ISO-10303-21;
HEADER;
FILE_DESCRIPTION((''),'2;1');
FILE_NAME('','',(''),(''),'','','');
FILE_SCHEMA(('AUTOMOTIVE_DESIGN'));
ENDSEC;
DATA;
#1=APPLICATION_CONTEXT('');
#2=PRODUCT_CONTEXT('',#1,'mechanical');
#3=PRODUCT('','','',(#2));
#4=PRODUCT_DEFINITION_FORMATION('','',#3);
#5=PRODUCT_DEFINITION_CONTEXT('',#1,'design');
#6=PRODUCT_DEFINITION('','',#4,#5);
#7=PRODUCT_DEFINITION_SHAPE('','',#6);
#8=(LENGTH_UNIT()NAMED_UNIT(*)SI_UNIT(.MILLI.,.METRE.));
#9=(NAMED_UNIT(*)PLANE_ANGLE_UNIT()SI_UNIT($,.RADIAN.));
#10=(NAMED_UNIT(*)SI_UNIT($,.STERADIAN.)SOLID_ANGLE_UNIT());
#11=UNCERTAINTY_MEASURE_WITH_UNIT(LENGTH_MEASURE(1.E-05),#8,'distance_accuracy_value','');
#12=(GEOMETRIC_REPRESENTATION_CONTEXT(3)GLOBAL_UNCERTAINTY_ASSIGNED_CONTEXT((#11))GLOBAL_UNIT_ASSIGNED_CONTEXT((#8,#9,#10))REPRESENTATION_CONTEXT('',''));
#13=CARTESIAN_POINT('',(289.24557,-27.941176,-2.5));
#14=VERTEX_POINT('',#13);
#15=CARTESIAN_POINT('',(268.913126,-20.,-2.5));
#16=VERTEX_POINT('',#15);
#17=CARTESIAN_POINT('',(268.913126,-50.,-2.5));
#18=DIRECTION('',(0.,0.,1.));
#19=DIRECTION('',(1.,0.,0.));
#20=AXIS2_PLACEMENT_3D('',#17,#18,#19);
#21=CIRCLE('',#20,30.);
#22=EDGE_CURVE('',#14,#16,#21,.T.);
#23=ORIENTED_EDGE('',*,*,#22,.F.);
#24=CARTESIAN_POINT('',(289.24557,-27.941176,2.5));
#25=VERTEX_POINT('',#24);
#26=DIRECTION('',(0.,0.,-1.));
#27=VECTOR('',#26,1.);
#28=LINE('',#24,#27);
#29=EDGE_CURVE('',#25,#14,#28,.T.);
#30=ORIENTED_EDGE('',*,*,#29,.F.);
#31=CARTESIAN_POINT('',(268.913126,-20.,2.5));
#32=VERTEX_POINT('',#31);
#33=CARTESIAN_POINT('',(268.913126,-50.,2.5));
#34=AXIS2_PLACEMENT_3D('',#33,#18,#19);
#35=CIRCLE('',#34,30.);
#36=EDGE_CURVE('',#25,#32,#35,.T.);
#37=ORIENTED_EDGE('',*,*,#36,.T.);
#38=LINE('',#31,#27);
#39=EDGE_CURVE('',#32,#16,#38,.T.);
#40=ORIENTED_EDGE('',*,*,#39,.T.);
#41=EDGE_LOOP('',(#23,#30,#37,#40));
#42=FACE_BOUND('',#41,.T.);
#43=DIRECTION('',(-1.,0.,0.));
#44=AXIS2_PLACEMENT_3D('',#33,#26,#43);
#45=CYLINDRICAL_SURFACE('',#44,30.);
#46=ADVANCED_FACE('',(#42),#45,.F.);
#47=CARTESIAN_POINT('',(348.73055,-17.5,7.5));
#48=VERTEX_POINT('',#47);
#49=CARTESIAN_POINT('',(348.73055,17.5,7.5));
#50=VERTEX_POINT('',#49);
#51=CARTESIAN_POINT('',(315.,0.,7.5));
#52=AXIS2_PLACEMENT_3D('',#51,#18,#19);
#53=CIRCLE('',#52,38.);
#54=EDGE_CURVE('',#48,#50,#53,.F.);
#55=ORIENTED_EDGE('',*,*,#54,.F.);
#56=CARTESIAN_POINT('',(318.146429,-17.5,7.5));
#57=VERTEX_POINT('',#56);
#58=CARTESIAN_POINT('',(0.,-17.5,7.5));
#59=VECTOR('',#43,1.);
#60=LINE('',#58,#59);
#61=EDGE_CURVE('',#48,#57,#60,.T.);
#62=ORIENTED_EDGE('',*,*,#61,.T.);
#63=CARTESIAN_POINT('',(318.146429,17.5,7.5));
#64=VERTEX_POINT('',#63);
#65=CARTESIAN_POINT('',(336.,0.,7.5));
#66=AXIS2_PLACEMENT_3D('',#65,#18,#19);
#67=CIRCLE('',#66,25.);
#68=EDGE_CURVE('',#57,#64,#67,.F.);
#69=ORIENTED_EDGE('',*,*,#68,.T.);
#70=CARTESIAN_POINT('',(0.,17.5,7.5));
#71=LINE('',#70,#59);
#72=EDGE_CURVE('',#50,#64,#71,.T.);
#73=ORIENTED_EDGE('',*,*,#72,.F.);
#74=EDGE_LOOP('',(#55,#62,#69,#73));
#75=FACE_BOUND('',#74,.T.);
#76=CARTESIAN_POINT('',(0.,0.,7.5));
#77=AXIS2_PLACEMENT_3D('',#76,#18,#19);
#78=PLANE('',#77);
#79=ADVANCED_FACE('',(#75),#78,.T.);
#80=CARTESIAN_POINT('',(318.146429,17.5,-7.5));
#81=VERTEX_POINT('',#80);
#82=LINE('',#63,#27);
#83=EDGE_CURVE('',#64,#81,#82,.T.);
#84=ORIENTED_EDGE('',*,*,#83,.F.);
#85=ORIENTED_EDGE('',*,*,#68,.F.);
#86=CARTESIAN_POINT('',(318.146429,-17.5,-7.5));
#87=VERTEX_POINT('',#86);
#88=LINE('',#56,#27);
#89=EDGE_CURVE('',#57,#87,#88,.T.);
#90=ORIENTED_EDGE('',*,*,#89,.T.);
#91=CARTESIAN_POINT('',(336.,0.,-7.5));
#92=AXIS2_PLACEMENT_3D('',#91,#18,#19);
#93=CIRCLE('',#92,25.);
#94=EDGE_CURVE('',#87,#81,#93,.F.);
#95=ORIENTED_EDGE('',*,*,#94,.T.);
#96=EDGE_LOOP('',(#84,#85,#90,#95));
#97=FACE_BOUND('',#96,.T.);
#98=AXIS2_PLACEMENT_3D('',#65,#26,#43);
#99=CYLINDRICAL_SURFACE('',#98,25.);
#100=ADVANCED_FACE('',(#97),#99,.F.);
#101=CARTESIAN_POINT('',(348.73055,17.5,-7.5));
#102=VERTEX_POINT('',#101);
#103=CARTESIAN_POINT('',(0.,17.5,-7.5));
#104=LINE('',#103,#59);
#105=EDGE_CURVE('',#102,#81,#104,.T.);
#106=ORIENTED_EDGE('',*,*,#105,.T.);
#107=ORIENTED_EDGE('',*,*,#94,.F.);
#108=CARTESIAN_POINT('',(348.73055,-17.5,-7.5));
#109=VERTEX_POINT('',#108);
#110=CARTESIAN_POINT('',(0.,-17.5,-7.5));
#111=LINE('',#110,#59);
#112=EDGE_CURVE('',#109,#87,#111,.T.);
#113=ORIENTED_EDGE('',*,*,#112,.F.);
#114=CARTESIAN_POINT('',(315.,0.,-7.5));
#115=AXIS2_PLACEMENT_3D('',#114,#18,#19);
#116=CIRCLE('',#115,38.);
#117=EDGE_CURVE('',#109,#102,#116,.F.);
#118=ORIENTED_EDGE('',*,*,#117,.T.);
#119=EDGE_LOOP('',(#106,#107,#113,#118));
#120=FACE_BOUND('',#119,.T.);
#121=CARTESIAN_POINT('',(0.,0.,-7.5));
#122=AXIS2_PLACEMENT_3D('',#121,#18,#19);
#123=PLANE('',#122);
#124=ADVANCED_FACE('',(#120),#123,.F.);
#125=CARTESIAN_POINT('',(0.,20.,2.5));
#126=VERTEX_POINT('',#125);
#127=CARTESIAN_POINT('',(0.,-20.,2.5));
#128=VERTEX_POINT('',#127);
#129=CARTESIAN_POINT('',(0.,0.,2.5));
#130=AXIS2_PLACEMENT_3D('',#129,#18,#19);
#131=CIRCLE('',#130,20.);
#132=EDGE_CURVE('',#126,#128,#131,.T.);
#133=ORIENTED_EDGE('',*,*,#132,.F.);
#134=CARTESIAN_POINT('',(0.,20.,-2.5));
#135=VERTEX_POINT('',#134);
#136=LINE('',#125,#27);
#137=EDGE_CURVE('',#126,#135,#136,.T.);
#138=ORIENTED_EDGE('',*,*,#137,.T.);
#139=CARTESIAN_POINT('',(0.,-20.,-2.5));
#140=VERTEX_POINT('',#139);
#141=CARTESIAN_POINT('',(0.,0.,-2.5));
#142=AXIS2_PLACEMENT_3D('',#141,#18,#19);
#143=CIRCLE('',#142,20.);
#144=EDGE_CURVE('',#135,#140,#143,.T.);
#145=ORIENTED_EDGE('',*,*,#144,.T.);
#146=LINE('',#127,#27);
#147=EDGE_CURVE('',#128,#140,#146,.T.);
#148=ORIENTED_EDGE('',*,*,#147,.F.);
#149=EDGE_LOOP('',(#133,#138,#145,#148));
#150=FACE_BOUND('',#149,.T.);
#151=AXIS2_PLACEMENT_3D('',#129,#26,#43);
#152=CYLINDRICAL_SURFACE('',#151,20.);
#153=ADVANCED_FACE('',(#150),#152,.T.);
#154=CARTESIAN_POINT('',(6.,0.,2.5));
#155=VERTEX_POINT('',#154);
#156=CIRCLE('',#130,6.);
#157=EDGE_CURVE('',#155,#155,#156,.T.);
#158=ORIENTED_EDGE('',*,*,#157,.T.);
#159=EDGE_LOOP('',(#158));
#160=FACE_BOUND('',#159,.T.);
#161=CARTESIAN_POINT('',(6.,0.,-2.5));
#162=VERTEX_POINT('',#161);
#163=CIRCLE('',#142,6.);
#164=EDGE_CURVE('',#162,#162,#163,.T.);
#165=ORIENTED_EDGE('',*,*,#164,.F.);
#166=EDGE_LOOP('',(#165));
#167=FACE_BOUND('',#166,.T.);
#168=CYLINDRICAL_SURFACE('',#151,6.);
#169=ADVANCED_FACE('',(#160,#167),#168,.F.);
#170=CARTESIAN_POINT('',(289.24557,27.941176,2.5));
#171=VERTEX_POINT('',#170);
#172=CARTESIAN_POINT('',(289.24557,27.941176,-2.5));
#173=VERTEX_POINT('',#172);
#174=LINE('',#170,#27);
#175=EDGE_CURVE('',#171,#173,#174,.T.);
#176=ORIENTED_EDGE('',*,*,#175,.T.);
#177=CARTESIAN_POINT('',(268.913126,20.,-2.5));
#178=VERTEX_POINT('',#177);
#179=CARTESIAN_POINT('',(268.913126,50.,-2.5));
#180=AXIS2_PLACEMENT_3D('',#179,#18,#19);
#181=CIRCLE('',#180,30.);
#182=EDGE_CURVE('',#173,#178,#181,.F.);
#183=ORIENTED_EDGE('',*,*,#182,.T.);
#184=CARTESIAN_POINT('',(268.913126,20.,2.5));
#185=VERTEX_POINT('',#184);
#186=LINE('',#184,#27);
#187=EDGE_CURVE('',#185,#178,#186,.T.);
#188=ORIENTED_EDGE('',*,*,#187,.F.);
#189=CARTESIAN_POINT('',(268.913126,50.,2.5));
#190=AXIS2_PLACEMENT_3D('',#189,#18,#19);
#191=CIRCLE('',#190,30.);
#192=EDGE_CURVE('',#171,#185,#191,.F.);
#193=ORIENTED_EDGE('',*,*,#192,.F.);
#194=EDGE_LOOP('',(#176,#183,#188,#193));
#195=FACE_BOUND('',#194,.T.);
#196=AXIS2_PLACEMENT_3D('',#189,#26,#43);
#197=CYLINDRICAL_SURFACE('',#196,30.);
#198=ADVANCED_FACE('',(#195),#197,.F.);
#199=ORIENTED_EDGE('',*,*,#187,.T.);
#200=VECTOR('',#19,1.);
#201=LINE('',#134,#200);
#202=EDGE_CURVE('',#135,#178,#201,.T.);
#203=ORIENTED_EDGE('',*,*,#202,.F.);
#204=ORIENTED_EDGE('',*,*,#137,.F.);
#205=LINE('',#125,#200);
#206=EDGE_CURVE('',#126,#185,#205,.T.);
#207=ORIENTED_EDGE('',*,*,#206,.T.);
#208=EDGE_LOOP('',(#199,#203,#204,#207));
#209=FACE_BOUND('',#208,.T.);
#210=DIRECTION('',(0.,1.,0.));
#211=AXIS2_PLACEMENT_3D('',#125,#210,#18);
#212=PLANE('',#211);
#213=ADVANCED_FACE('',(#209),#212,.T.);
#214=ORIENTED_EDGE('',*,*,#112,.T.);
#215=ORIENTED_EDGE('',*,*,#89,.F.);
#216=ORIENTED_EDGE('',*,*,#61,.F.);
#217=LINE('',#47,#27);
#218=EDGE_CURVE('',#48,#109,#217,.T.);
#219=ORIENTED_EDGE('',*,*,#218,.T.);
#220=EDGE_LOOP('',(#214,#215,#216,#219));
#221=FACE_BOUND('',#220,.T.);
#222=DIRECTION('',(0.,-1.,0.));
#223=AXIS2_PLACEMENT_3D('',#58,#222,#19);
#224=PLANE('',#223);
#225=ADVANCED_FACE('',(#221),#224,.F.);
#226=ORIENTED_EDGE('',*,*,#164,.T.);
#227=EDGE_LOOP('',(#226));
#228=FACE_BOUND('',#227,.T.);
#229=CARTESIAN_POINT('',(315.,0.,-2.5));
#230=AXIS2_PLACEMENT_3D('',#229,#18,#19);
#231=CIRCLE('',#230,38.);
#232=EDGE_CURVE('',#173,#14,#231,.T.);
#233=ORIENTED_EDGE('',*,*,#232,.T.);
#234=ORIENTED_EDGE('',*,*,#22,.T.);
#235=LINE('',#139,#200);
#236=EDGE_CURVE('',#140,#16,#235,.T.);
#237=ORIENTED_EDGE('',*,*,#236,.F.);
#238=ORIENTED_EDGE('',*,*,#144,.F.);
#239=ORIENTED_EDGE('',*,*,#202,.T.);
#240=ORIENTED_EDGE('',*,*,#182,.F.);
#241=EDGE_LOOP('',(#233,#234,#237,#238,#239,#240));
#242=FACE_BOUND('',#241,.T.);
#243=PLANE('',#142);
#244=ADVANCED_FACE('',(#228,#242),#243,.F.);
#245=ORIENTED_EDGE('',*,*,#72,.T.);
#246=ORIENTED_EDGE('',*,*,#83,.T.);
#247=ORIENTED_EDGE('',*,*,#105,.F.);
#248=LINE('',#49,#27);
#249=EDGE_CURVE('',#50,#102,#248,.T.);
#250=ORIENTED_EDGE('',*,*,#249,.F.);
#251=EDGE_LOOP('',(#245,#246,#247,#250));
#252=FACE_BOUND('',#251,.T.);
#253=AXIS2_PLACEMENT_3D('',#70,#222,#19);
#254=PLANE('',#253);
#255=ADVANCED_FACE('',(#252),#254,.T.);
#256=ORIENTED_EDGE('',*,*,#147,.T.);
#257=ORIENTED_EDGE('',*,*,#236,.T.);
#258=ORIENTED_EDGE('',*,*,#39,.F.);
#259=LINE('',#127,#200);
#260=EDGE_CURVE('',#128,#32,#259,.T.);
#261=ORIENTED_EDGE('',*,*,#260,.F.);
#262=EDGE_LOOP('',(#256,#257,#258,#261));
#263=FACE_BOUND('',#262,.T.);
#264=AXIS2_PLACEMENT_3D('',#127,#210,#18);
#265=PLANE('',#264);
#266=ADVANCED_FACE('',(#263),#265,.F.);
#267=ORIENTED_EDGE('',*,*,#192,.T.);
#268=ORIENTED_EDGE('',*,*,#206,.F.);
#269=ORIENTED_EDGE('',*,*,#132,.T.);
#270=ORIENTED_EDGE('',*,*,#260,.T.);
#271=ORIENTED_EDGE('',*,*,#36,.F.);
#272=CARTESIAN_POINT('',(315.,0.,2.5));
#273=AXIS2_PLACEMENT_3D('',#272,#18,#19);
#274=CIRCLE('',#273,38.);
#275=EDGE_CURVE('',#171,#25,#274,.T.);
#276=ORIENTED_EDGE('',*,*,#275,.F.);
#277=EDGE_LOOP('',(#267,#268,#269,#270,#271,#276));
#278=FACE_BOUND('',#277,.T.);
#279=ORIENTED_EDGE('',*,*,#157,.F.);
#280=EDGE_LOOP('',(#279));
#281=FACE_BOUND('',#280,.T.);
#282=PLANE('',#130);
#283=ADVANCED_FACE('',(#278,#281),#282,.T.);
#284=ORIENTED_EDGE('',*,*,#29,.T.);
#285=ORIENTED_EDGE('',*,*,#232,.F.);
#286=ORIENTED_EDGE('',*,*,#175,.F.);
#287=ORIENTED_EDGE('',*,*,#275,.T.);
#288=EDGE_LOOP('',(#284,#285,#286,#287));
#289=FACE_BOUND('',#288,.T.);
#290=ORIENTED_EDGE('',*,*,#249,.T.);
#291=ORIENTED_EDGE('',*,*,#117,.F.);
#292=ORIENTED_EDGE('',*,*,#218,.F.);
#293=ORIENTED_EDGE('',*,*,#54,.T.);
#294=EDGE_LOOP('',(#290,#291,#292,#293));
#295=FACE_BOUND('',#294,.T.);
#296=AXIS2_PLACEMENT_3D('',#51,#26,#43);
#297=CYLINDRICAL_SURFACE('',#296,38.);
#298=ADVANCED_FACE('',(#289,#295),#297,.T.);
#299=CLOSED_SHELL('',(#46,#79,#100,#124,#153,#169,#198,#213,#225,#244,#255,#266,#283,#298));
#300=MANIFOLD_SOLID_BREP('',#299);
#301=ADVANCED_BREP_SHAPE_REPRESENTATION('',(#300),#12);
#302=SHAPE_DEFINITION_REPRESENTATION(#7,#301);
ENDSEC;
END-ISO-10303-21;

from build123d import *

# Parameters (mm, degrees)
SKETCH1_R           = 6
BOSS_EXTRUDE1_DEPTH = 2.5
BOSS_EXTRUDE2_DEPTH = 7.5


with BuildPart() as part:
    # Sketch1 → Boss-Extrude1 (new, symmetric)
    with BuildSketch(Plane.XY):
        with BuildLine():
            Line((268.913125513, 20), (0, 20))
            ThreePointArc((0, 20), (-20, 0), (0, -20))
            Line((0, -20), (268.913125513, -20))
            ThreePointArc((268.913125513, -20), (279.827228639, -22.055727726), (289.245570139, -27.941176471))
            ThreePointArc((289.245570139, -27.941176471), (277, 0), (289.245570139, 27.941176471))
            ThreePointArc((289.245570139, 27.941176471), (279.827228639, 22.055727726), (268.913125513, 20))
        make_face()
        Circle(SKETCH1_R, mode=Mode.SUBTRACT)
    extrude(amount=BOSS_EXTRUDE1_DEPTH, both=True)

    # Sketch1<4> → Boss-Extrude2 (add, symmetric)
    with BuildSketch(Plane.XY):
        with BuildLine():
            ThreePointArc((348.730549951, 17.5), (321.56956349, 37.427808319), (289.245570139, 27.941176471))
            ThreePointArc((289.245570139, 27.941176471), (277, 0), (289.245570139, -27.941176471))
            ThreePointArc((289.245570139, -27.941176471), (321.56956349, -37.427808319), (348.730549951, -17.5))
            Line((348.730549951, -17.5), (318.146428929, -17.5))
            ThreePointArc((318.146428929, -17.5), (312.855462018, -9.451474044), (311, 0))
            ThreePointArc((311, 0), (312.855462018, 9.451474044), (318.146428929, 17.5))
            Line((318.146428929, 17.5), (348.730549951, 17.5))
        make_face()
    extrude(amount=BOSS_EXTRUDE2_DEPTH, both=True)


solid = part.part
